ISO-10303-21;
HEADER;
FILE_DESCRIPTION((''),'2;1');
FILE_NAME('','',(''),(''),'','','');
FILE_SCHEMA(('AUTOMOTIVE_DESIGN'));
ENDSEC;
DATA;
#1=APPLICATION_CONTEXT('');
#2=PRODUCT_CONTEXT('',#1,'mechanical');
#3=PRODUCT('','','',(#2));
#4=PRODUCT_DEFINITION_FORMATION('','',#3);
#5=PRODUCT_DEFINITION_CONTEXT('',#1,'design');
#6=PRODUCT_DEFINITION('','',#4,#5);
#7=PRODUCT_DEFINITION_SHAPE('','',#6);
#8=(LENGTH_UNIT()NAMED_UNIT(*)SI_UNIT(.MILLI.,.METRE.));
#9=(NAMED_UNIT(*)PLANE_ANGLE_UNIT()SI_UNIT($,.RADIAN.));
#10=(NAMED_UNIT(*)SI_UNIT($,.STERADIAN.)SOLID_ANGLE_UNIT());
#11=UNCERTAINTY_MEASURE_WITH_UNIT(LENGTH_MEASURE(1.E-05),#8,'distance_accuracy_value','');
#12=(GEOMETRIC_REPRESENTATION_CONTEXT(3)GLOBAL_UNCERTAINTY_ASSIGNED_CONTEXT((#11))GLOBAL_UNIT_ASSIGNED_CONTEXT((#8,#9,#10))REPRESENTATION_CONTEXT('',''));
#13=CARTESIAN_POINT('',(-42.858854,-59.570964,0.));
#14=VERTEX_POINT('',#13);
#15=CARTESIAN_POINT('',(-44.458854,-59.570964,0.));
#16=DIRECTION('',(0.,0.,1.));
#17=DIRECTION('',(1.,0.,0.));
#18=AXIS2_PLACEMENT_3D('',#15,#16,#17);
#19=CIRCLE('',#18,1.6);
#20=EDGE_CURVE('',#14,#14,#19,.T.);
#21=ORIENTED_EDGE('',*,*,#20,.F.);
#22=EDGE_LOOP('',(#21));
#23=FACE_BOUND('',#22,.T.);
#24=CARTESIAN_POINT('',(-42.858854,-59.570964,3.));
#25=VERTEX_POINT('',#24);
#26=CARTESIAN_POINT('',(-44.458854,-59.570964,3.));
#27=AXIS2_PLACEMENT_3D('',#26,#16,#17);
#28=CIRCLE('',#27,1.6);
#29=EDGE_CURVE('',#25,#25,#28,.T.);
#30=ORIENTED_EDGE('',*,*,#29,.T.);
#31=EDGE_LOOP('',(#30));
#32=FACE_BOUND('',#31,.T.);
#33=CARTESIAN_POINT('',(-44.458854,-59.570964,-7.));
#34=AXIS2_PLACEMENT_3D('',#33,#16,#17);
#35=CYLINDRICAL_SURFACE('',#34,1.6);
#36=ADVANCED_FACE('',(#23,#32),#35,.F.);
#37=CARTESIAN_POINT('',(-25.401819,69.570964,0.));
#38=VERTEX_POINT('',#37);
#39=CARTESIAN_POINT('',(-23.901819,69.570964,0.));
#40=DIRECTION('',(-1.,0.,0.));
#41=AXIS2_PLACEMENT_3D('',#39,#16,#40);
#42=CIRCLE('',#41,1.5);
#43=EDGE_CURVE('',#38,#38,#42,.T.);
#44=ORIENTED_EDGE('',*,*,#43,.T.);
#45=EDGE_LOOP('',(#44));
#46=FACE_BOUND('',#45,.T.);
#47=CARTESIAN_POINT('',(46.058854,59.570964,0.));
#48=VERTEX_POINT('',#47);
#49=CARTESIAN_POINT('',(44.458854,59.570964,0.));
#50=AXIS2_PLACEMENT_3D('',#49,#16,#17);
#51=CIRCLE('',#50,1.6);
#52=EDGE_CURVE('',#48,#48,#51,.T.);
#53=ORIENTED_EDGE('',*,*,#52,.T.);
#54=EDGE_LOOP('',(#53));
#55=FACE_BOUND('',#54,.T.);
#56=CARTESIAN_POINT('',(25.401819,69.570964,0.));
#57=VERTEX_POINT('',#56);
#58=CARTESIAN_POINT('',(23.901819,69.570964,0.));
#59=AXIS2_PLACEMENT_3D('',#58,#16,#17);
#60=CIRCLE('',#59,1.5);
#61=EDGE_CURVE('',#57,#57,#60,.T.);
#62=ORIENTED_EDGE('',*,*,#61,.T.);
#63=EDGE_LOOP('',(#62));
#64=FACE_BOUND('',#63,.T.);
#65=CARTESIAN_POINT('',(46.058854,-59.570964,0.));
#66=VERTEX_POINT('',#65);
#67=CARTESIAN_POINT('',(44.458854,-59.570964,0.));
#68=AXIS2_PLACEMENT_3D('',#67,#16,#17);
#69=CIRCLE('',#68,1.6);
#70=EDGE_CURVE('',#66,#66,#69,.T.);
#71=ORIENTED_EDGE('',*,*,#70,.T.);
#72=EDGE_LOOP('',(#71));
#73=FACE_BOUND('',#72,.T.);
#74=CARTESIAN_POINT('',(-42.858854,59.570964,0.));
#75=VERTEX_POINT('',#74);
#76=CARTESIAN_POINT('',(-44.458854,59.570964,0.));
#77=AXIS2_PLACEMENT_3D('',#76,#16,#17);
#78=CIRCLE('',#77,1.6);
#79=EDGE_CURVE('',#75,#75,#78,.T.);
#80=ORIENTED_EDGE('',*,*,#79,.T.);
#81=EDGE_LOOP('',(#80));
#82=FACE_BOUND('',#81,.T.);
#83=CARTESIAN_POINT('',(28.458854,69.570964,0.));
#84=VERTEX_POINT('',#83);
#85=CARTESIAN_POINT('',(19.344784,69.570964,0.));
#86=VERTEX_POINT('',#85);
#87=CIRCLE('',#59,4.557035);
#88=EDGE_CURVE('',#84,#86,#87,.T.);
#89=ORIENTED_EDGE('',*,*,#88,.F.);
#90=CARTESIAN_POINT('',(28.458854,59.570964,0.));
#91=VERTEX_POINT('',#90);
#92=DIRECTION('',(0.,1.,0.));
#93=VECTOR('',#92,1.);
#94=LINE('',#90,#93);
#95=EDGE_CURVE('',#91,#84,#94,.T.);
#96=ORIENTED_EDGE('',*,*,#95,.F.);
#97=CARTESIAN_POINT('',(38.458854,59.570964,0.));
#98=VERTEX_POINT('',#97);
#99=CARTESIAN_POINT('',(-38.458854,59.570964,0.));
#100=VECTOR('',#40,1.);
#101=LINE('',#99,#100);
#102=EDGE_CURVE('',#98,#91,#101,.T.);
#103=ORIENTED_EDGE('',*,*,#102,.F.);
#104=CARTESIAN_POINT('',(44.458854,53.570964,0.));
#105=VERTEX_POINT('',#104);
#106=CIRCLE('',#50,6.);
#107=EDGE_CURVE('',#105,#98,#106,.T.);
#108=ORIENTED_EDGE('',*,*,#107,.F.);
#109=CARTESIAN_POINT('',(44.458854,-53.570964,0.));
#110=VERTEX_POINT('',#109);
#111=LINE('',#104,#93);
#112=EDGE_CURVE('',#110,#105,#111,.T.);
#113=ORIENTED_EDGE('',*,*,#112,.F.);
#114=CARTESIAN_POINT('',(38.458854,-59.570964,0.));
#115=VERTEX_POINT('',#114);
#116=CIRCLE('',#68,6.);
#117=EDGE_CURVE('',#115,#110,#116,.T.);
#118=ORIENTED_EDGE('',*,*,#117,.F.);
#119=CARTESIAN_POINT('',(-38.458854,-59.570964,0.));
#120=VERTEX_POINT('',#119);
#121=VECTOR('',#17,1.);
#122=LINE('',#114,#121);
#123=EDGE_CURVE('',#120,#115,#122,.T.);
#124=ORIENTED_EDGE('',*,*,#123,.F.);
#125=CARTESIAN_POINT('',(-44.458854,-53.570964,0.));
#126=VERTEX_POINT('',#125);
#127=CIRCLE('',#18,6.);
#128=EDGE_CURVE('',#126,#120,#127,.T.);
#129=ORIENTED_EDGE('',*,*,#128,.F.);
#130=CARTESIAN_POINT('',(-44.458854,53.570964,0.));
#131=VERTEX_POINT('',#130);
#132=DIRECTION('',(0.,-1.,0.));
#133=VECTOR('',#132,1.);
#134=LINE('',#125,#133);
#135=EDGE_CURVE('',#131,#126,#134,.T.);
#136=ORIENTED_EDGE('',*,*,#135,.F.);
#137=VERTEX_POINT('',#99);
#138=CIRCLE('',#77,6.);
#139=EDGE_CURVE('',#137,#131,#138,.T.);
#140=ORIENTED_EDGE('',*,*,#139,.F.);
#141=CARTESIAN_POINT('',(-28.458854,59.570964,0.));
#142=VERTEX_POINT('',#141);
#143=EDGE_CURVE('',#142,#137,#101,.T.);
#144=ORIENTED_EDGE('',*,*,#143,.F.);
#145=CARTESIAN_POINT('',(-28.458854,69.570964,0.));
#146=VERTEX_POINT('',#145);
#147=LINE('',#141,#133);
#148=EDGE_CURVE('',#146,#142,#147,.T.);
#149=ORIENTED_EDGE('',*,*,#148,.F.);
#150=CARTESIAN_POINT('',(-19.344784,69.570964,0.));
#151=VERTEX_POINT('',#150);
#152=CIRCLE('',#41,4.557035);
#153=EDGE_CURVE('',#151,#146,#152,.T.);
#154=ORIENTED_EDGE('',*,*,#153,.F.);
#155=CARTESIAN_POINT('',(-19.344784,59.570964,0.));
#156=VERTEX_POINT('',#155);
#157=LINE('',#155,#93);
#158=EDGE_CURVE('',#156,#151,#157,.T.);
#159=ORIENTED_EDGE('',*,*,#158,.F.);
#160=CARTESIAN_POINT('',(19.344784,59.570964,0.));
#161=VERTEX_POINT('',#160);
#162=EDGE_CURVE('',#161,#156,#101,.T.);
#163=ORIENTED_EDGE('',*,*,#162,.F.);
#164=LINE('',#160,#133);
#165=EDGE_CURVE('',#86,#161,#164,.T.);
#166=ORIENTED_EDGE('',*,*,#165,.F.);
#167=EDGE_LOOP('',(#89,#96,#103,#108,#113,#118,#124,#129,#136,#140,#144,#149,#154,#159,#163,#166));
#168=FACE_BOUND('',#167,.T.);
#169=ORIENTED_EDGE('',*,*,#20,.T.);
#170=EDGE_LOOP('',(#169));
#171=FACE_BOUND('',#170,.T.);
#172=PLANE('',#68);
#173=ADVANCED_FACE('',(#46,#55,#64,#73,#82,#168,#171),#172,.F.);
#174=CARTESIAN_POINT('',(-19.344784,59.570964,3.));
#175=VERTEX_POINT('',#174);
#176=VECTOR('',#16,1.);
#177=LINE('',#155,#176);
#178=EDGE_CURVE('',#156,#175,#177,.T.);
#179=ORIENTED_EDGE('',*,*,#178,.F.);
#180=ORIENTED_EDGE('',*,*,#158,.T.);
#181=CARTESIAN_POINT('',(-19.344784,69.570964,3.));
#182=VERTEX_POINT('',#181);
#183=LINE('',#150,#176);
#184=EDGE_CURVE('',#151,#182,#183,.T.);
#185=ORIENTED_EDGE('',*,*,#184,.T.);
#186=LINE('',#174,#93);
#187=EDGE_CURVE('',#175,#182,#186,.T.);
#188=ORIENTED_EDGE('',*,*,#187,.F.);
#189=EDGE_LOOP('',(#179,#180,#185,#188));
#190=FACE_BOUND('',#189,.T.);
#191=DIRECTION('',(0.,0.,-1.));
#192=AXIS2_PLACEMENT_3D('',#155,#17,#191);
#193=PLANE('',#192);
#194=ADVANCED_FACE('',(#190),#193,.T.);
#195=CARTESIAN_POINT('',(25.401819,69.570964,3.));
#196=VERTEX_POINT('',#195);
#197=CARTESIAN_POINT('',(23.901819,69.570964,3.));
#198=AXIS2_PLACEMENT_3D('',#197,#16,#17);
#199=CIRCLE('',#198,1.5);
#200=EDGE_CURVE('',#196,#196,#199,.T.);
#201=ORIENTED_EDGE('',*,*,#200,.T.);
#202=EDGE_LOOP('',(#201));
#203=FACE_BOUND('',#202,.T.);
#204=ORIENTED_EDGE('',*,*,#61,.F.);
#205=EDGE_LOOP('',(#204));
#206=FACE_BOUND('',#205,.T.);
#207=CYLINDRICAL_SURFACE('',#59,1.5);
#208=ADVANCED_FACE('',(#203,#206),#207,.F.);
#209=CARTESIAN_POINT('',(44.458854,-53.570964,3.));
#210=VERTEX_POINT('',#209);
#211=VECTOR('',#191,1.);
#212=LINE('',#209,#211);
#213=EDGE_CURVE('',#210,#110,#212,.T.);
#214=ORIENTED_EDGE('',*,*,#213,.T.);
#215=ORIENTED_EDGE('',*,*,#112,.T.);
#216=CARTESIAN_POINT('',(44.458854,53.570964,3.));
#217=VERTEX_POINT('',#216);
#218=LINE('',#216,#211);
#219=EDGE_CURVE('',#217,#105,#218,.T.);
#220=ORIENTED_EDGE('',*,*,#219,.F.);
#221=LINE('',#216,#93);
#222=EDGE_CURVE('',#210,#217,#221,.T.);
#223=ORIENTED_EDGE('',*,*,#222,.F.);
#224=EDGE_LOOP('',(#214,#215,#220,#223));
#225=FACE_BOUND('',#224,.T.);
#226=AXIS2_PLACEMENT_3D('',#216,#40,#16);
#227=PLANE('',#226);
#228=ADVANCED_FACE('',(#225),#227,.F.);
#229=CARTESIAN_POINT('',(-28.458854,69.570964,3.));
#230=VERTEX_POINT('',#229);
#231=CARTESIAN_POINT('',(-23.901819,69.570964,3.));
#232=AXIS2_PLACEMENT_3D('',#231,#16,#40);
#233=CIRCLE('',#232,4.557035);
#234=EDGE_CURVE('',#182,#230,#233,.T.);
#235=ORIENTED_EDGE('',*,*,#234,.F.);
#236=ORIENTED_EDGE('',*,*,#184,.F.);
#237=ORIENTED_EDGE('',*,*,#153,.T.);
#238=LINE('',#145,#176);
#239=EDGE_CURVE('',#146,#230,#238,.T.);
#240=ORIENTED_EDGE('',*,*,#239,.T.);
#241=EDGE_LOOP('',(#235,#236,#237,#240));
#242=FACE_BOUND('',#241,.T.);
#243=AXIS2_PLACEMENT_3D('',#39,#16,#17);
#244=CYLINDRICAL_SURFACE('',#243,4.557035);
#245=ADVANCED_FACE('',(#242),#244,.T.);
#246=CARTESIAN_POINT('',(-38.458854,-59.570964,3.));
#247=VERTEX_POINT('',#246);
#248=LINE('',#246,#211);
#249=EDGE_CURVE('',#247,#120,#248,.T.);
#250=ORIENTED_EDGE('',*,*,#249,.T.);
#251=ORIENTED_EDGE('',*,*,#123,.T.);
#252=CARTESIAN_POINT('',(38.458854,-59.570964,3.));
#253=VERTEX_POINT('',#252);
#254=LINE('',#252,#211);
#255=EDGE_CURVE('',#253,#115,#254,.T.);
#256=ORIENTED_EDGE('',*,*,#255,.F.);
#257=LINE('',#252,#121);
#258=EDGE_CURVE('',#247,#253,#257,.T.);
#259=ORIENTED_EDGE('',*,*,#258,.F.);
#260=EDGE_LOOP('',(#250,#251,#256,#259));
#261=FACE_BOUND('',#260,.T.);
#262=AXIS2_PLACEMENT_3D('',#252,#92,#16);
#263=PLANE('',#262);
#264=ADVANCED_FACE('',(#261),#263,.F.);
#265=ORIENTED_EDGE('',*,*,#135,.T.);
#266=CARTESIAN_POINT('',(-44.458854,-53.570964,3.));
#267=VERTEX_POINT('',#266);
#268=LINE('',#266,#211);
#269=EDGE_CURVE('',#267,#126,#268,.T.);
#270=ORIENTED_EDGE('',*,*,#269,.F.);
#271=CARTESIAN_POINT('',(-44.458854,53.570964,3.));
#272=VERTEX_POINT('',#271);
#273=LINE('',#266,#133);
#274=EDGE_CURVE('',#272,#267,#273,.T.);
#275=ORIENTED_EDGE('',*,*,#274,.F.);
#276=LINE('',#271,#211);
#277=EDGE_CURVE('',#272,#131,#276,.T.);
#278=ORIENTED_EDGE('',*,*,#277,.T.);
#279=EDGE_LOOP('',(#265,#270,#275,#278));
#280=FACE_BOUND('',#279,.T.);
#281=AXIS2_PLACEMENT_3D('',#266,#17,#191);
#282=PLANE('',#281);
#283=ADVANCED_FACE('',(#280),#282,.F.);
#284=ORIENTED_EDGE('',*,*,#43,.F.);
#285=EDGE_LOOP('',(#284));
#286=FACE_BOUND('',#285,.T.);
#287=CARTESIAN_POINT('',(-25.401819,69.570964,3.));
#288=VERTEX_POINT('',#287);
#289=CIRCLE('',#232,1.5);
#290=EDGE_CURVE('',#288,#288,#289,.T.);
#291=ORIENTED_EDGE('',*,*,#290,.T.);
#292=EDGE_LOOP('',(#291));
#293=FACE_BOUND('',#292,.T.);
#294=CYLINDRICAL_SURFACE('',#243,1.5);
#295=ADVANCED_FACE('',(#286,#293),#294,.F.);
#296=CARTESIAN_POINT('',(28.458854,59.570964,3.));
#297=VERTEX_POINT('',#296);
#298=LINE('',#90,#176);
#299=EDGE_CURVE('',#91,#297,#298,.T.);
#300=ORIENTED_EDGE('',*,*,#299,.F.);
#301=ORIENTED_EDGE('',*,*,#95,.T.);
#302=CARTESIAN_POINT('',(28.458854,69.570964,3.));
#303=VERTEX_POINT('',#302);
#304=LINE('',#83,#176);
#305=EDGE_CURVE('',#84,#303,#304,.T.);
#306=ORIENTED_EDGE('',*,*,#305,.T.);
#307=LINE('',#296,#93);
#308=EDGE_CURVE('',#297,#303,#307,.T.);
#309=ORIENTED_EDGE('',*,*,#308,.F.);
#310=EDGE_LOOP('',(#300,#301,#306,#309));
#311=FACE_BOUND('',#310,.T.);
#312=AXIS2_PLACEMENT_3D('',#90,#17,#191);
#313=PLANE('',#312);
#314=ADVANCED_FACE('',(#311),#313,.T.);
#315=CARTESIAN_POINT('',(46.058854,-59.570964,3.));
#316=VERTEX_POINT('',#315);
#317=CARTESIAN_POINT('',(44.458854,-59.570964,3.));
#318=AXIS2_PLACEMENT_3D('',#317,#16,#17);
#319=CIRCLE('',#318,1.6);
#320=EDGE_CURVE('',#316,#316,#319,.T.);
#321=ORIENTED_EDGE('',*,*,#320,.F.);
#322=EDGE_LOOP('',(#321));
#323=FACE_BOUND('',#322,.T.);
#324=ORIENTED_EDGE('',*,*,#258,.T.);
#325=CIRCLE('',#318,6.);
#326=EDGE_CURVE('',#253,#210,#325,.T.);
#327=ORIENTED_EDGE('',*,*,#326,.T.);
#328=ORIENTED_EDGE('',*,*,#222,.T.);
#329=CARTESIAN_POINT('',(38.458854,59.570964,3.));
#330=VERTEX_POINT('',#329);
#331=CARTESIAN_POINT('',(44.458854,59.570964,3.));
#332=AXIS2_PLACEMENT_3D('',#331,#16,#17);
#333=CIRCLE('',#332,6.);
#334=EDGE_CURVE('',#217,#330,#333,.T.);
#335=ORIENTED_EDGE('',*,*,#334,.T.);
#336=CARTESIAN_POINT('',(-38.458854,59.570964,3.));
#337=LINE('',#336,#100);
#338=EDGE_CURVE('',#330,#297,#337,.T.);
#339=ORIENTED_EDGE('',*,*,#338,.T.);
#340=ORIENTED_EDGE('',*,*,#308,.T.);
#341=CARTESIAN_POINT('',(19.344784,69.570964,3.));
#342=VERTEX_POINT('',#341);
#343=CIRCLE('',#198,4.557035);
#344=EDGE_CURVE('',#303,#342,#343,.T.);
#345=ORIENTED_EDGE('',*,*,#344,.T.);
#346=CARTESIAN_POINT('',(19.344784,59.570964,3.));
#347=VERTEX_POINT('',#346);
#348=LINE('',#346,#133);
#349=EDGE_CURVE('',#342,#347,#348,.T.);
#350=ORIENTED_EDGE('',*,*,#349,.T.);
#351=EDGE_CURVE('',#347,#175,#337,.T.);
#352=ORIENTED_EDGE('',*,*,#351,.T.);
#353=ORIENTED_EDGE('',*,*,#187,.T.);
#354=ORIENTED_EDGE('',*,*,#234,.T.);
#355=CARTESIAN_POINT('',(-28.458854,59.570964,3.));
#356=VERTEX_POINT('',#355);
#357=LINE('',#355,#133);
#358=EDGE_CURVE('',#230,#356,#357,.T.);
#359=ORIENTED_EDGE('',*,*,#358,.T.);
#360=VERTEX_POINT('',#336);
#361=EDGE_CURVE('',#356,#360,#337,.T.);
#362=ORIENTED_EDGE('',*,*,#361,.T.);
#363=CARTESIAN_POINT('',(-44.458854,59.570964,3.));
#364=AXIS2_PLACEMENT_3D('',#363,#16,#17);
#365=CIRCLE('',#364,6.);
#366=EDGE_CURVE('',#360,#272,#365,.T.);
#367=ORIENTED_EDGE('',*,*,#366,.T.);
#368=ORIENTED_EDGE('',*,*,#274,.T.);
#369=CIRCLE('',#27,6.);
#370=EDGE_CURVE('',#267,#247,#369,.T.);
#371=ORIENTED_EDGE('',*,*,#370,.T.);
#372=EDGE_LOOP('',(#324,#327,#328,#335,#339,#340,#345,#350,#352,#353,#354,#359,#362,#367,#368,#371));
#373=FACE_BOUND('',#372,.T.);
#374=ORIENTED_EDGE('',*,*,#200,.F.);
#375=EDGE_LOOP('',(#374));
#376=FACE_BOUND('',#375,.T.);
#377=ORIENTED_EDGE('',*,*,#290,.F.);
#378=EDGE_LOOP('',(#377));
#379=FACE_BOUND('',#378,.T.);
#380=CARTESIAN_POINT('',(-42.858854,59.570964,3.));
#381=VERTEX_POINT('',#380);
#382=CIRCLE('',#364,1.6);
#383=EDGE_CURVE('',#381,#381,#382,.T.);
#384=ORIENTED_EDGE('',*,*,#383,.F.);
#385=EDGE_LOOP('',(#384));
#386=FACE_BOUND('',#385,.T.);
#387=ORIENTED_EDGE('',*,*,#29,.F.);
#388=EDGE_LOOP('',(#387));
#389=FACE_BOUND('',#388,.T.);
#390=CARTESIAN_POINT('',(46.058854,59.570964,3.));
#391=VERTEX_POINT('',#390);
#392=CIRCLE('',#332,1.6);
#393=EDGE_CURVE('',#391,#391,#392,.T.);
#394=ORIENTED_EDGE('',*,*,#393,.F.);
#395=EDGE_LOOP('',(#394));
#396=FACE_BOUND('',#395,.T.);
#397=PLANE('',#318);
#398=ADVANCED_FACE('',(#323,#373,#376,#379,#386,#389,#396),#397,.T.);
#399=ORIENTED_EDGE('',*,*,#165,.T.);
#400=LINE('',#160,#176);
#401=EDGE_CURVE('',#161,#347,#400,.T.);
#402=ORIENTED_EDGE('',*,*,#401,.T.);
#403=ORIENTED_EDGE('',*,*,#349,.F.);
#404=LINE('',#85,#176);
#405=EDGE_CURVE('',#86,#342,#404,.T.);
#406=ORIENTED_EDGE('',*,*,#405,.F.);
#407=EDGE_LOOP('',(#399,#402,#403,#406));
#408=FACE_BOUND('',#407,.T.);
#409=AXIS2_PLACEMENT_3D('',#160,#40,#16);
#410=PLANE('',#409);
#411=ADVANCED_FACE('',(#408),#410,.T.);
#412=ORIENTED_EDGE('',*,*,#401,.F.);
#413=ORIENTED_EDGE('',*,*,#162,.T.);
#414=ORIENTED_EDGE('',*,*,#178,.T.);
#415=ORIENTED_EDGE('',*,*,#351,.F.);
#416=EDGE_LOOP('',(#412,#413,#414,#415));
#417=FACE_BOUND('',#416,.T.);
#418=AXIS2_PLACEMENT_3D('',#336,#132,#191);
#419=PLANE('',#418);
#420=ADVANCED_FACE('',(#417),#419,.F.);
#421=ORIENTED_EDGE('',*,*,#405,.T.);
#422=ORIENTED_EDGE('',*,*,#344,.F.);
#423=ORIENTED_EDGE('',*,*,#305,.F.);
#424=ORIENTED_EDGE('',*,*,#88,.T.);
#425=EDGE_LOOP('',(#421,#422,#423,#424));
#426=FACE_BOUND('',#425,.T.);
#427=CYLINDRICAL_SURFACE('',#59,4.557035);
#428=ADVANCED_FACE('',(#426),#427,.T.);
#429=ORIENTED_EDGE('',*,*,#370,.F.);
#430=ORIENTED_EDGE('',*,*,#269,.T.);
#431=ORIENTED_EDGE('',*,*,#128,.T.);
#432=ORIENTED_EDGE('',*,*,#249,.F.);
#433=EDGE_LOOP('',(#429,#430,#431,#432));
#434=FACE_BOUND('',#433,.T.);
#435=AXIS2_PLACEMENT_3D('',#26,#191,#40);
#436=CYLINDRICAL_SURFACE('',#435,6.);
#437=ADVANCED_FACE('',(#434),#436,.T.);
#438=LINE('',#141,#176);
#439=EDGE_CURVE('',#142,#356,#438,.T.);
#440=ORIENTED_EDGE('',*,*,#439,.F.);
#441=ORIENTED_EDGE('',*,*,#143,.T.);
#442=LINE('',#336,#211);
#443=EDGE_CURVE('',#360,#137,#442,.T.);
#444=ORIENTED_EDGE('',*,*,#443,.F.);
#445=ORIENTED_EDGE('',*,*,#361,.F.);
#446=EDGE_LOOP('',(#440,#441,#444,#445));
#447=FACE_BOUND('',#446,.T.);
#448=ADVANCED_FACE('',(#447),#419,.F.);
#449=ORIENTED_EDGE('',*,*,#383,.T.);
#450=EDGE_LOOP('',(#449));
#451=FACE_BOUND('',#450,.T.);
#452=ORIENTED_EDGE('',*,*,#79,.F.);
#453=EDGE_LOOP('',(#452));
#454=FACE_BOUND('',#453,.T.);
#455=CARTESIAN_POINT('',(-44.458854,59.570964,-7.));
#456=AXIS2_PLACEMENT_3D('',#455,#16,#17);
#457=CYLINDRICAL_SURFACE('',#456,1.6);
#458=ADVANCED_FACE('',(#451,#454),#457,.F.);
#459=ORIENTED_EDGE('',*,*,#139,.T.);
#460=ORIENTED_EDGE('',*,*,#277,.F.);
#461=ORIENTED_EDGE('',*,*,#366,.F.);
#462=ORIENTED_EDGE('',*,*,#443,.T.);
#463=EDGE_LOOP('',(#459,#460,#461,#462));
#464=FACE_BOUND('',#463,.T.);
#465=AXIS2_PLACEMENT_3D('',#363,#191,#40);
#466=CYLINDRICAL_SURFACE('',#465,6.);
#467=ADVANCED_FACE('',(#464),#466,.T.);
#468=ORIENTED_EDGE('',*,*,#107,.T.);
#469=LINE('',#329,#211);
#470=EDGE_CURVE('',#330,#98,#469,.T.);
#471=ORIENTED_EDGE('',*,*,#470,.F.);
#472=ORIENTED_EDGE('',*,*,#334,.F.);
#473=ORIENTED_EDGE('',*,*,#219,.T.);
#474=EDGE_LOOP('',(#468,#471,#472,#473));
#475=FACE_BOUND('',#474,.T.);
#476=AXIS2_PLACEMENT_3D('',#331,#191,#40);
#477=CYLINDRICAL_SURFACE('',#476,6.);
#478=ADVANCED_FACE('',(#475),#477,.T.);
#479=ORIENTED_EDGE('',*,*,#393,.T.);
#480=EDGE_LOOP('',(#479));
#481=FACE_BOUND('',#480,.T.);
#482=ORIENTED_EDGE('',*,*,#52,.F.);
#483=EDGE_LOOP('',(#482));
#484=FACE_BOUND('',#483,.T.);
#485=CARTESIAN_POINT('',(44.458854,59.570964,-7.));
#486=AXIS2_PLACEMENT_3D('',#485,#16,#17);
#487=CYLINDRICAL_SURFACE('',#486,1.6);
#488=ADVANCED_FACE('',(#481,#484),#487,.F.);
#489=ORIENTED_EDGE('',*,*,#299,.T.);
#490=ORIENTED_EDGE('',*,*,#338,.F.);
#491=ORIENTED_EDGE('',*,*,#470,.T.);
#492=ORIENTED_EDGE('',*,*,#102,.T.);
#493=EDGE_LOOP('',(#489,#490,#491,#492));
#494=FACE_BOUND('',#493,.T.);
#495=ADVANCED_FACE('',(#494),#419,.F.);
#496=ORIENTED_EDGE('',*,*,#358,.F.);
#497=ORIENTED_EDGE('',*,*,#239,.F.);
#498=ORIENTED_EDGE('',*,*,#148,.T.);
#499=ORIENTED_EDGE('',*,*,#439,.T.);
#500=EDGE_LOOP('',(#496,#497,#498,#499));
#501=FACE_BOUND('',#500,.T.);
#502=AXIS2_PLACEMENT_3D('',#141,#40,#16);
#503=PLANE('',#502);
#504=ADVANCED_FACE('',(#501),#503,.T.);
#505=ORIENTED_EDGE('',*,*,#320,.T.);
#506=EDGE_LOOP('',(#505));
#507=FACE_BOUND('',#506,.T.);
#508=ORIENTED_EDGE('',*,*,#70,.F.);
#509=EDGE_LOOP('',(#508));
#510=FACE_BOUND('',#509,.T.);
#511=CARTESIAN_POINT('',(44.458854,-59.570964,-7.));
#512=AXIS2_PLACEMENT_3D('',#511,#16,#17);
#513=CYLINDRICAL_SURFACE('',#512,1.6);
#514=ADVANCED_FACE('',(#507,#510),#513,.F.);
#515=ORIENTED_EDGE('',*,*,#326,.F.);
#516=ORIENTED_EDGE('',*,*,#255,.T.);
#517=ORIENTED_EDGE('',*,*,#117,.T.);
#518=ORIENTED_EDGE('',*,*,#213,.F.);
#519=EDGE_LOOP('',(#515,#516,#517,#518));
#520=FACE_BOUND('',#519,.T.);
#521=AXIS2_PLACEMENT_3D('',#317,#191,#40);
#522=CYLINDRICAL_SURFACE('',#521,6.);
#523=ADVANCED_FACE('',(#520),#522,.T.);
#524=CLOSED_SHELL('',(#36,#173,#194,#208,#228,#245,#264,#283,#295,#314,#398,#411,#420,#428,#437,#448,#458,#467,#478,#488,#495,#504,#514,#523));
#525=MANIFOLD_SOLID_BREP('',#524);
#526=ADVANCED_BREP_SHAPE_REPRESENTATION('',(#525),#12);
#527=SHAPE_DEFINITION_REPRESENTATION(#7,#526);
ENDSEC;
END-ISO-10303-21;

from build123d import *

# Parameters (mm, degrees)
BOSS_EXTRUDE1_DEPTH = 3
SKETCH2_R           = 1.6
CUT_EXTRUDE1_DEPTH  = 10
SKETCH3_R           = 1.5
BOSS_EXTRUDE4_DEPTH = 3


with BuildPart() as part:
    # Sketch1 → Boss-Extrude1 (new body)
    with BuildSketch(Plane.XY):
        with BuildLine():
            Line((38.458853732, -59.570964101), (-38.458853732, -59.570964101))
            ThreePointArc((-38.458853732, -59.570964101), (-48.701494419, -63.813604788), (-44.458853732, -53.570964101))
            Line((-44.458853732, -53.570964101), (-44.458853732, 53.570964101))
            ThreePointArc((-44.458853732, 53.570964101), (-48.701494419, 63.813604788), (-38.458853732, 59.570964101))
            Line((-38.458853732, 59.570964101), (38.458853732, 59.570964101))
            ThreePointArc((38.458853732, 59.570964101), (48.701494419, 63.813604788), (44.458853732, 53.570964101))
            Line((44.458853732, 53.570964101), (44.458853732, -53.570964101))
            ThreePointArc((44.458853732, -53.570964101), (48.701494419, -63.813604788), (38.458853732, -59.570964101))
        make_face()
    extrude(amount=BOSS_EXTRUDE1_DEPTH)

    # Sketch2 → Cut-Extrude1 (cut)
    with BuildSketch(Plane.XY.offset(3)):
        with Locations((-44.458853732, 59.570964101)):
            Circle(SKETCH2_R)
        with Locations((44.458853732, 59.570964101)):
            Circle(SKETCH2_R)
        with Locations((44.458853732, -59.570964101)):
            Circle(SKETCH2_R)
        with Locations((-44.458853732, -59.570964101)):
            Circle(SKETCH2_R)
    extrude(amount=-CUT_EXTRUDE1_DEPTH, mode=Mode.SUBTRACT)

    # Sketch3 → Boss-Extrude4 (add)
    with BuildSketch(Plane.XY.offset(3)):
        with BuildLine():
            Line((19.344784152, 59.570964101), (28.458853732, 59.570964101))
            Line((28.458853732, 59.570964101), (28.458853732, 69.570964101))
            ThreePointArc((28.458853732, 69.570964101), (23.901818942, 74.127998891), (19.344784152, 69.570964101))
            Line((19.344784152, 69.570964101), (19.344784152, 59.570964101))
        make_face()
        with Locations((23.901818942, 69.570964101)):
            Circle(SKETCH3_R, mode=Mode.SUBTRACT)
        with BuildLine():
            Line((-19.344784152, 59.570964101), (-28.458853732, 59.570964101))
            Line((-28.458853732, 59.570964101), (-28.458853732, 69.570964101))
            ThreePointArc((-28.458853732, 69.570964101), (-23.901818942, 74.127998891), (-19.344784152, 69.570964101))
            Line((-19.344784152, 69.570964101), (-19.344784152, 59.570964101))
        make_face()
        with Locations((-23.901818942, 69.570964101)):
            Circle(SKETCH3_R, mode=Mode.SUBTRACT)
    extrude(amount=-BOSS_EXTRUDE4_DEPTH)


solid = part.part
